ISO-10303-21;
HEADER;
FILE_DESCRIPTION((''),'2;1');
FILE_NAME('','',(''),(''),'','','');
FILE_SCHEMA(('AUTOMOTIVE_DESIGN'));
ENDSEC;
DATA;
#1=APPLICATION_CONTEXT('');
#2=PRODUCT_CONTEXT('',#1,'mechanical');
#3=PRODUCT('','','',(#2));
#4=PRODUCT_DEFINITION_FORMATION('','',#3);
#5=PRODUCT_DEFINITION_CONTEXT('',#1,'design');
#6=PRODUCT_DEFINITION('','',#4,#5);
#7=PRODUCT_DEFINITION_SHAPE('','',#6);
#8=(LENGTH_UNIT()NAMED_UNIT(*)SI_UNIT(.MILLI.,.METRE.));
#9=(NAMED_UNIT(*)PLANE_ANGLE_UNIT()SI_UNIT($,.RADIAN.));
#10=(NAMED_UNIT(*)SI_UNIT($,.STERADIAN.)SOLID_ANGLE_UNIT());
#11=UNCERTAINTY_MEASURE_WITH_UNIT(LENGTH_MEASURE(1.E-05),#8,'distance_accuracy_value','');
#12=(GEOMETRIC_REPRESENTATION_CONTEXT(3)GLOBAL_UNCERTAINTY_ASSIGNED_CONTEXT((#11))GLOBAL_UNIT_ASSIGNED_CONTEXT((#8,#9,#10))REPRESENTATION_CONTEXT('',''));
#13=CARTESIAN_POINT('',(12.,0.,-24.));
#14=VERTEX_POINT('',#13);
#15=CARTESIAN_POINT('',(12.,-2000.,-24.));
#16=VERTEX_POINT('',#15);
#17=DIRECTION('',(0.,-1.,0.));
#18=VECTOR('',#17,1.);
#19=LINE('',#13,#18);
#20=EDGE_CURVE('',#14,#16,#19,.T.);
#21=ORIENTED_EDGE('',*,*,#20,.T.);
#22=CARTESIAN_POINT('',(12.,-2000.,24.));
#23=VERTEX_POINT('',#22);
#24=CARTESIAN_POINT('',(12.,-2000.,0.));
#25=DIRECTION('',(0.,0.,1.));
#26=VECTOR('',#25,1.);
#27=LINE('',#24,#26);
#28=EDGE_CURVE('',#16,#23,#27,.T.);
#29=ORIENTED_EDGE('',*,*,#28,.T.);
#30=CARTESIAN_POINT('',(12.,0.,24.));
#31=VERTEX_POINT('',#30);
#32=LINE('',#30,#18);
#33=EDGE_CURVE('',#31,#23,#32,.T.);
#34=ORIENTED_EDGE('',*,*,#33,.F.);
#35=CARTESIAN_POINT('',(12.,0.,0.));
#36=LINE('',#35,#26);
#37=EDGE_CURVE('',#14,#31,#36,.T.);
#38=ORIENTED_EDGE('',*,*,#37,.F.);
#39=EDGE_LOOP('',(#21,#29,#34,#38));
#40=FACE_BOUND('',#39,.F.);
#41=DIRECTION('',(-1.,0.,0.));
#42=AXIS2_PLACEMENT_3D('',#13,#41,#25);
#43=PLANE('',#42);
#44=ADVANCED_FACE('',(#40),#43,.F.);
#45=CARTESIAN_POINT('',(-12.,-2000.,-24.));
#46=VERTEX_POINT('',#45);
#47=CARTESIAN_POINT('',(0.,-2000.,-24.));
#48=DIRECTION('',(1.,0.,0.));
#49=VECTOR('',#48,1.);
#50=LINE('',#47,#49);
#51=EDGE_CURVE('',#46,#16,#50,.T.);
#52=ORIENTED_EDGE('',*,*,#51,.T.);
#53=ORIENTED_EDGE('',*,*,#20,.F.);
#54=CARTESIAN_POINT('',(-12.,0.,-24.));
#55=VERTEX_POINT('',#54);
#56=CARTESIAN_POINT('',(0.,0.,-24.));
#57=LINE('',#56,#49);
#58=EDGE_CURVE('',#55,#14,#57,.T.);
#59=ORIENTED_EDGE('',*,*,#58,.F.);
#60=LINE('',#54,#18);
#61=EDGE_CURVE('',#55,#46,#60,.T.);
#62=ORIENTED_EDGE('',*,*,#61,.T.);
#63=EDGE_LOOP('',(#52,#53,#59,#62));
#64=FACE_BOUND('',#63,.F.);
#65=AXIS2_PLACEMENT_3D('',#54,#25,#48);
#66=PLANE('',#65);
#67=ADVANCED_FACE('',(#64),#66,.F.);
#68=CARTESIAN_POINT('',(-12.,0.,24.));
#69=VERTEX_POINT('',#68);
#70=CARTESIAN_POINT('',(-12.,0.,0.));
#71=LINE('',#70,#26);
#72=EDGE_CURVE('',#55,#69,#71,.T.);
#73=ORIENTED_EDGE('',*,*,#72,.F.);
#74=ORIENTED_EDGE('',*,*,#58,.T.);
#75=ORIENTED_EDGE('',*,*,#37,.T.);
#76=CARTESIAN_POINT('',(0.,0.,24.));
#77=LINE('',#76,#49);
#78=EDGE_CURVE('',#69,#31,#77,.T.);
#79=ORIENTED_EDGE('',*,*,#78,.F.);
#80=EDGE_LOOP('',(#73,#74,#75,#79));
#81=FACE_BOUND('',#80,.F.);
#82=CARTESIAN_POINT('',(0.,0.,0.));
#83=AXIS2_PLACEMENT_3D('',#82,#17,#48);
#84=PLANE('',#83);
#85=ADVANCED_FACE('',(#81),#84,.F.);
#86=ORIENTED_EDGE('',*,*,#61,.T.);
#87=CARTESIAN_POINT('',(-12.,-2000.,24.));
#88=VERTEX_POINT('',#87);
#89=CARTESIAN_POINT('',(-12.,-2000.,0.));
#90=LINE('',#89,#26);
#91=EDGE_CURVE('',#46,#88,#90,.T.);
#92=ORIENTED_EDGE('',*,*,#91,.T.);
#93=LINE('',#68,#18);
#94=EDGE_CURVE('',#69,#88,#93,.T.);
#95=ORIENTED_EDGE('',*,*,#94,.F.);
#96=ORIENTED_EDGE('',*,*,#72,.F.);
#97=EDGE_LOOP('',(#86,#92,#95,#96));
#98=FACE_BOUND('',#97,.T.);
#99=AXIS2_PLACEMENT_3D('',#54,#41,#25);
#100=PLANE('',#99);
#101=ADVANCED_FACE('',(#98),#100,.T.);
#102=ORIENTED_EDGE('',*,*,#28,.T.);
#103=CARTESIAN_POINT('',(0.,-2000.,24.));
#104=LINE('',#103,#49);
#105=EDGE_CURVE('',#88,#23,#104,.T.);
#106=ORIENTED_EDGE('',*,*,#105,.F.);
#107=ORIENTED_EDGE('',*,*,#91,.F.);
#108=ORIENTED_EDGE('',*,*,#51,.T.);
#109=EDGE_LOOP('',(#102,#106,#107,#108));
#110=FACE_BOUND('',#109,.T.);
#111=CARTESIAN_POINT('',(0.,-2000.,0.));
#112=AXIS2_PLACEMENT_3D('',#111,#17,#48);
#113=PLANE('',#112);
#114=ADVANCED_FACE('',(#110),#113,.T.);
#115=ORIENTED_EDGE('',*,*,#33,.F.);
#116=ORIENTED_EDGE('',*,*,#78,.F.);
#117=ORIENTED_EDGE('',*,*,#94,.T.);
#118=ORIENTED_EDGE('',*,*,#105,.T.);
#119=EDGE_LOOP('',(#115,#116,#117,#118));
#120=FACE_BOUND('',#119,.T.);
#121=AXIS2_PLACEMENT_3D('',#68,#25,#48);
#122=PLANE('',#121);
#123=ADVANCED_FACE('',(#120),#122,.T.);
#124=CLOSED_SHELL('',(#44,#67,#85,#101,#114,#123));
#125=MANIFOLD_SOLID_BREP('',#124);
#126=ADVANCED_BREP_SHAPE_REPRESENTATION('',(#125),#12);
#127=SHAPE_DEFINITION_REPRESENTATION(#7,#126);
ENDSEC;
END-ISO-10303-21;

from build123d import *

# Parameters (mm, degrees)
F1_W     = 24
F1_H     = 48
F2_DEPTH = 2000


with BuildPart() as f2:
    # F1 (on Front) → F2 (new body)
    with BuildSketch(Plane.XZ):
        Rectangle(F1_W, F1_H)
    extrude(amount=F2_DEPTH)


solid = f2.part
